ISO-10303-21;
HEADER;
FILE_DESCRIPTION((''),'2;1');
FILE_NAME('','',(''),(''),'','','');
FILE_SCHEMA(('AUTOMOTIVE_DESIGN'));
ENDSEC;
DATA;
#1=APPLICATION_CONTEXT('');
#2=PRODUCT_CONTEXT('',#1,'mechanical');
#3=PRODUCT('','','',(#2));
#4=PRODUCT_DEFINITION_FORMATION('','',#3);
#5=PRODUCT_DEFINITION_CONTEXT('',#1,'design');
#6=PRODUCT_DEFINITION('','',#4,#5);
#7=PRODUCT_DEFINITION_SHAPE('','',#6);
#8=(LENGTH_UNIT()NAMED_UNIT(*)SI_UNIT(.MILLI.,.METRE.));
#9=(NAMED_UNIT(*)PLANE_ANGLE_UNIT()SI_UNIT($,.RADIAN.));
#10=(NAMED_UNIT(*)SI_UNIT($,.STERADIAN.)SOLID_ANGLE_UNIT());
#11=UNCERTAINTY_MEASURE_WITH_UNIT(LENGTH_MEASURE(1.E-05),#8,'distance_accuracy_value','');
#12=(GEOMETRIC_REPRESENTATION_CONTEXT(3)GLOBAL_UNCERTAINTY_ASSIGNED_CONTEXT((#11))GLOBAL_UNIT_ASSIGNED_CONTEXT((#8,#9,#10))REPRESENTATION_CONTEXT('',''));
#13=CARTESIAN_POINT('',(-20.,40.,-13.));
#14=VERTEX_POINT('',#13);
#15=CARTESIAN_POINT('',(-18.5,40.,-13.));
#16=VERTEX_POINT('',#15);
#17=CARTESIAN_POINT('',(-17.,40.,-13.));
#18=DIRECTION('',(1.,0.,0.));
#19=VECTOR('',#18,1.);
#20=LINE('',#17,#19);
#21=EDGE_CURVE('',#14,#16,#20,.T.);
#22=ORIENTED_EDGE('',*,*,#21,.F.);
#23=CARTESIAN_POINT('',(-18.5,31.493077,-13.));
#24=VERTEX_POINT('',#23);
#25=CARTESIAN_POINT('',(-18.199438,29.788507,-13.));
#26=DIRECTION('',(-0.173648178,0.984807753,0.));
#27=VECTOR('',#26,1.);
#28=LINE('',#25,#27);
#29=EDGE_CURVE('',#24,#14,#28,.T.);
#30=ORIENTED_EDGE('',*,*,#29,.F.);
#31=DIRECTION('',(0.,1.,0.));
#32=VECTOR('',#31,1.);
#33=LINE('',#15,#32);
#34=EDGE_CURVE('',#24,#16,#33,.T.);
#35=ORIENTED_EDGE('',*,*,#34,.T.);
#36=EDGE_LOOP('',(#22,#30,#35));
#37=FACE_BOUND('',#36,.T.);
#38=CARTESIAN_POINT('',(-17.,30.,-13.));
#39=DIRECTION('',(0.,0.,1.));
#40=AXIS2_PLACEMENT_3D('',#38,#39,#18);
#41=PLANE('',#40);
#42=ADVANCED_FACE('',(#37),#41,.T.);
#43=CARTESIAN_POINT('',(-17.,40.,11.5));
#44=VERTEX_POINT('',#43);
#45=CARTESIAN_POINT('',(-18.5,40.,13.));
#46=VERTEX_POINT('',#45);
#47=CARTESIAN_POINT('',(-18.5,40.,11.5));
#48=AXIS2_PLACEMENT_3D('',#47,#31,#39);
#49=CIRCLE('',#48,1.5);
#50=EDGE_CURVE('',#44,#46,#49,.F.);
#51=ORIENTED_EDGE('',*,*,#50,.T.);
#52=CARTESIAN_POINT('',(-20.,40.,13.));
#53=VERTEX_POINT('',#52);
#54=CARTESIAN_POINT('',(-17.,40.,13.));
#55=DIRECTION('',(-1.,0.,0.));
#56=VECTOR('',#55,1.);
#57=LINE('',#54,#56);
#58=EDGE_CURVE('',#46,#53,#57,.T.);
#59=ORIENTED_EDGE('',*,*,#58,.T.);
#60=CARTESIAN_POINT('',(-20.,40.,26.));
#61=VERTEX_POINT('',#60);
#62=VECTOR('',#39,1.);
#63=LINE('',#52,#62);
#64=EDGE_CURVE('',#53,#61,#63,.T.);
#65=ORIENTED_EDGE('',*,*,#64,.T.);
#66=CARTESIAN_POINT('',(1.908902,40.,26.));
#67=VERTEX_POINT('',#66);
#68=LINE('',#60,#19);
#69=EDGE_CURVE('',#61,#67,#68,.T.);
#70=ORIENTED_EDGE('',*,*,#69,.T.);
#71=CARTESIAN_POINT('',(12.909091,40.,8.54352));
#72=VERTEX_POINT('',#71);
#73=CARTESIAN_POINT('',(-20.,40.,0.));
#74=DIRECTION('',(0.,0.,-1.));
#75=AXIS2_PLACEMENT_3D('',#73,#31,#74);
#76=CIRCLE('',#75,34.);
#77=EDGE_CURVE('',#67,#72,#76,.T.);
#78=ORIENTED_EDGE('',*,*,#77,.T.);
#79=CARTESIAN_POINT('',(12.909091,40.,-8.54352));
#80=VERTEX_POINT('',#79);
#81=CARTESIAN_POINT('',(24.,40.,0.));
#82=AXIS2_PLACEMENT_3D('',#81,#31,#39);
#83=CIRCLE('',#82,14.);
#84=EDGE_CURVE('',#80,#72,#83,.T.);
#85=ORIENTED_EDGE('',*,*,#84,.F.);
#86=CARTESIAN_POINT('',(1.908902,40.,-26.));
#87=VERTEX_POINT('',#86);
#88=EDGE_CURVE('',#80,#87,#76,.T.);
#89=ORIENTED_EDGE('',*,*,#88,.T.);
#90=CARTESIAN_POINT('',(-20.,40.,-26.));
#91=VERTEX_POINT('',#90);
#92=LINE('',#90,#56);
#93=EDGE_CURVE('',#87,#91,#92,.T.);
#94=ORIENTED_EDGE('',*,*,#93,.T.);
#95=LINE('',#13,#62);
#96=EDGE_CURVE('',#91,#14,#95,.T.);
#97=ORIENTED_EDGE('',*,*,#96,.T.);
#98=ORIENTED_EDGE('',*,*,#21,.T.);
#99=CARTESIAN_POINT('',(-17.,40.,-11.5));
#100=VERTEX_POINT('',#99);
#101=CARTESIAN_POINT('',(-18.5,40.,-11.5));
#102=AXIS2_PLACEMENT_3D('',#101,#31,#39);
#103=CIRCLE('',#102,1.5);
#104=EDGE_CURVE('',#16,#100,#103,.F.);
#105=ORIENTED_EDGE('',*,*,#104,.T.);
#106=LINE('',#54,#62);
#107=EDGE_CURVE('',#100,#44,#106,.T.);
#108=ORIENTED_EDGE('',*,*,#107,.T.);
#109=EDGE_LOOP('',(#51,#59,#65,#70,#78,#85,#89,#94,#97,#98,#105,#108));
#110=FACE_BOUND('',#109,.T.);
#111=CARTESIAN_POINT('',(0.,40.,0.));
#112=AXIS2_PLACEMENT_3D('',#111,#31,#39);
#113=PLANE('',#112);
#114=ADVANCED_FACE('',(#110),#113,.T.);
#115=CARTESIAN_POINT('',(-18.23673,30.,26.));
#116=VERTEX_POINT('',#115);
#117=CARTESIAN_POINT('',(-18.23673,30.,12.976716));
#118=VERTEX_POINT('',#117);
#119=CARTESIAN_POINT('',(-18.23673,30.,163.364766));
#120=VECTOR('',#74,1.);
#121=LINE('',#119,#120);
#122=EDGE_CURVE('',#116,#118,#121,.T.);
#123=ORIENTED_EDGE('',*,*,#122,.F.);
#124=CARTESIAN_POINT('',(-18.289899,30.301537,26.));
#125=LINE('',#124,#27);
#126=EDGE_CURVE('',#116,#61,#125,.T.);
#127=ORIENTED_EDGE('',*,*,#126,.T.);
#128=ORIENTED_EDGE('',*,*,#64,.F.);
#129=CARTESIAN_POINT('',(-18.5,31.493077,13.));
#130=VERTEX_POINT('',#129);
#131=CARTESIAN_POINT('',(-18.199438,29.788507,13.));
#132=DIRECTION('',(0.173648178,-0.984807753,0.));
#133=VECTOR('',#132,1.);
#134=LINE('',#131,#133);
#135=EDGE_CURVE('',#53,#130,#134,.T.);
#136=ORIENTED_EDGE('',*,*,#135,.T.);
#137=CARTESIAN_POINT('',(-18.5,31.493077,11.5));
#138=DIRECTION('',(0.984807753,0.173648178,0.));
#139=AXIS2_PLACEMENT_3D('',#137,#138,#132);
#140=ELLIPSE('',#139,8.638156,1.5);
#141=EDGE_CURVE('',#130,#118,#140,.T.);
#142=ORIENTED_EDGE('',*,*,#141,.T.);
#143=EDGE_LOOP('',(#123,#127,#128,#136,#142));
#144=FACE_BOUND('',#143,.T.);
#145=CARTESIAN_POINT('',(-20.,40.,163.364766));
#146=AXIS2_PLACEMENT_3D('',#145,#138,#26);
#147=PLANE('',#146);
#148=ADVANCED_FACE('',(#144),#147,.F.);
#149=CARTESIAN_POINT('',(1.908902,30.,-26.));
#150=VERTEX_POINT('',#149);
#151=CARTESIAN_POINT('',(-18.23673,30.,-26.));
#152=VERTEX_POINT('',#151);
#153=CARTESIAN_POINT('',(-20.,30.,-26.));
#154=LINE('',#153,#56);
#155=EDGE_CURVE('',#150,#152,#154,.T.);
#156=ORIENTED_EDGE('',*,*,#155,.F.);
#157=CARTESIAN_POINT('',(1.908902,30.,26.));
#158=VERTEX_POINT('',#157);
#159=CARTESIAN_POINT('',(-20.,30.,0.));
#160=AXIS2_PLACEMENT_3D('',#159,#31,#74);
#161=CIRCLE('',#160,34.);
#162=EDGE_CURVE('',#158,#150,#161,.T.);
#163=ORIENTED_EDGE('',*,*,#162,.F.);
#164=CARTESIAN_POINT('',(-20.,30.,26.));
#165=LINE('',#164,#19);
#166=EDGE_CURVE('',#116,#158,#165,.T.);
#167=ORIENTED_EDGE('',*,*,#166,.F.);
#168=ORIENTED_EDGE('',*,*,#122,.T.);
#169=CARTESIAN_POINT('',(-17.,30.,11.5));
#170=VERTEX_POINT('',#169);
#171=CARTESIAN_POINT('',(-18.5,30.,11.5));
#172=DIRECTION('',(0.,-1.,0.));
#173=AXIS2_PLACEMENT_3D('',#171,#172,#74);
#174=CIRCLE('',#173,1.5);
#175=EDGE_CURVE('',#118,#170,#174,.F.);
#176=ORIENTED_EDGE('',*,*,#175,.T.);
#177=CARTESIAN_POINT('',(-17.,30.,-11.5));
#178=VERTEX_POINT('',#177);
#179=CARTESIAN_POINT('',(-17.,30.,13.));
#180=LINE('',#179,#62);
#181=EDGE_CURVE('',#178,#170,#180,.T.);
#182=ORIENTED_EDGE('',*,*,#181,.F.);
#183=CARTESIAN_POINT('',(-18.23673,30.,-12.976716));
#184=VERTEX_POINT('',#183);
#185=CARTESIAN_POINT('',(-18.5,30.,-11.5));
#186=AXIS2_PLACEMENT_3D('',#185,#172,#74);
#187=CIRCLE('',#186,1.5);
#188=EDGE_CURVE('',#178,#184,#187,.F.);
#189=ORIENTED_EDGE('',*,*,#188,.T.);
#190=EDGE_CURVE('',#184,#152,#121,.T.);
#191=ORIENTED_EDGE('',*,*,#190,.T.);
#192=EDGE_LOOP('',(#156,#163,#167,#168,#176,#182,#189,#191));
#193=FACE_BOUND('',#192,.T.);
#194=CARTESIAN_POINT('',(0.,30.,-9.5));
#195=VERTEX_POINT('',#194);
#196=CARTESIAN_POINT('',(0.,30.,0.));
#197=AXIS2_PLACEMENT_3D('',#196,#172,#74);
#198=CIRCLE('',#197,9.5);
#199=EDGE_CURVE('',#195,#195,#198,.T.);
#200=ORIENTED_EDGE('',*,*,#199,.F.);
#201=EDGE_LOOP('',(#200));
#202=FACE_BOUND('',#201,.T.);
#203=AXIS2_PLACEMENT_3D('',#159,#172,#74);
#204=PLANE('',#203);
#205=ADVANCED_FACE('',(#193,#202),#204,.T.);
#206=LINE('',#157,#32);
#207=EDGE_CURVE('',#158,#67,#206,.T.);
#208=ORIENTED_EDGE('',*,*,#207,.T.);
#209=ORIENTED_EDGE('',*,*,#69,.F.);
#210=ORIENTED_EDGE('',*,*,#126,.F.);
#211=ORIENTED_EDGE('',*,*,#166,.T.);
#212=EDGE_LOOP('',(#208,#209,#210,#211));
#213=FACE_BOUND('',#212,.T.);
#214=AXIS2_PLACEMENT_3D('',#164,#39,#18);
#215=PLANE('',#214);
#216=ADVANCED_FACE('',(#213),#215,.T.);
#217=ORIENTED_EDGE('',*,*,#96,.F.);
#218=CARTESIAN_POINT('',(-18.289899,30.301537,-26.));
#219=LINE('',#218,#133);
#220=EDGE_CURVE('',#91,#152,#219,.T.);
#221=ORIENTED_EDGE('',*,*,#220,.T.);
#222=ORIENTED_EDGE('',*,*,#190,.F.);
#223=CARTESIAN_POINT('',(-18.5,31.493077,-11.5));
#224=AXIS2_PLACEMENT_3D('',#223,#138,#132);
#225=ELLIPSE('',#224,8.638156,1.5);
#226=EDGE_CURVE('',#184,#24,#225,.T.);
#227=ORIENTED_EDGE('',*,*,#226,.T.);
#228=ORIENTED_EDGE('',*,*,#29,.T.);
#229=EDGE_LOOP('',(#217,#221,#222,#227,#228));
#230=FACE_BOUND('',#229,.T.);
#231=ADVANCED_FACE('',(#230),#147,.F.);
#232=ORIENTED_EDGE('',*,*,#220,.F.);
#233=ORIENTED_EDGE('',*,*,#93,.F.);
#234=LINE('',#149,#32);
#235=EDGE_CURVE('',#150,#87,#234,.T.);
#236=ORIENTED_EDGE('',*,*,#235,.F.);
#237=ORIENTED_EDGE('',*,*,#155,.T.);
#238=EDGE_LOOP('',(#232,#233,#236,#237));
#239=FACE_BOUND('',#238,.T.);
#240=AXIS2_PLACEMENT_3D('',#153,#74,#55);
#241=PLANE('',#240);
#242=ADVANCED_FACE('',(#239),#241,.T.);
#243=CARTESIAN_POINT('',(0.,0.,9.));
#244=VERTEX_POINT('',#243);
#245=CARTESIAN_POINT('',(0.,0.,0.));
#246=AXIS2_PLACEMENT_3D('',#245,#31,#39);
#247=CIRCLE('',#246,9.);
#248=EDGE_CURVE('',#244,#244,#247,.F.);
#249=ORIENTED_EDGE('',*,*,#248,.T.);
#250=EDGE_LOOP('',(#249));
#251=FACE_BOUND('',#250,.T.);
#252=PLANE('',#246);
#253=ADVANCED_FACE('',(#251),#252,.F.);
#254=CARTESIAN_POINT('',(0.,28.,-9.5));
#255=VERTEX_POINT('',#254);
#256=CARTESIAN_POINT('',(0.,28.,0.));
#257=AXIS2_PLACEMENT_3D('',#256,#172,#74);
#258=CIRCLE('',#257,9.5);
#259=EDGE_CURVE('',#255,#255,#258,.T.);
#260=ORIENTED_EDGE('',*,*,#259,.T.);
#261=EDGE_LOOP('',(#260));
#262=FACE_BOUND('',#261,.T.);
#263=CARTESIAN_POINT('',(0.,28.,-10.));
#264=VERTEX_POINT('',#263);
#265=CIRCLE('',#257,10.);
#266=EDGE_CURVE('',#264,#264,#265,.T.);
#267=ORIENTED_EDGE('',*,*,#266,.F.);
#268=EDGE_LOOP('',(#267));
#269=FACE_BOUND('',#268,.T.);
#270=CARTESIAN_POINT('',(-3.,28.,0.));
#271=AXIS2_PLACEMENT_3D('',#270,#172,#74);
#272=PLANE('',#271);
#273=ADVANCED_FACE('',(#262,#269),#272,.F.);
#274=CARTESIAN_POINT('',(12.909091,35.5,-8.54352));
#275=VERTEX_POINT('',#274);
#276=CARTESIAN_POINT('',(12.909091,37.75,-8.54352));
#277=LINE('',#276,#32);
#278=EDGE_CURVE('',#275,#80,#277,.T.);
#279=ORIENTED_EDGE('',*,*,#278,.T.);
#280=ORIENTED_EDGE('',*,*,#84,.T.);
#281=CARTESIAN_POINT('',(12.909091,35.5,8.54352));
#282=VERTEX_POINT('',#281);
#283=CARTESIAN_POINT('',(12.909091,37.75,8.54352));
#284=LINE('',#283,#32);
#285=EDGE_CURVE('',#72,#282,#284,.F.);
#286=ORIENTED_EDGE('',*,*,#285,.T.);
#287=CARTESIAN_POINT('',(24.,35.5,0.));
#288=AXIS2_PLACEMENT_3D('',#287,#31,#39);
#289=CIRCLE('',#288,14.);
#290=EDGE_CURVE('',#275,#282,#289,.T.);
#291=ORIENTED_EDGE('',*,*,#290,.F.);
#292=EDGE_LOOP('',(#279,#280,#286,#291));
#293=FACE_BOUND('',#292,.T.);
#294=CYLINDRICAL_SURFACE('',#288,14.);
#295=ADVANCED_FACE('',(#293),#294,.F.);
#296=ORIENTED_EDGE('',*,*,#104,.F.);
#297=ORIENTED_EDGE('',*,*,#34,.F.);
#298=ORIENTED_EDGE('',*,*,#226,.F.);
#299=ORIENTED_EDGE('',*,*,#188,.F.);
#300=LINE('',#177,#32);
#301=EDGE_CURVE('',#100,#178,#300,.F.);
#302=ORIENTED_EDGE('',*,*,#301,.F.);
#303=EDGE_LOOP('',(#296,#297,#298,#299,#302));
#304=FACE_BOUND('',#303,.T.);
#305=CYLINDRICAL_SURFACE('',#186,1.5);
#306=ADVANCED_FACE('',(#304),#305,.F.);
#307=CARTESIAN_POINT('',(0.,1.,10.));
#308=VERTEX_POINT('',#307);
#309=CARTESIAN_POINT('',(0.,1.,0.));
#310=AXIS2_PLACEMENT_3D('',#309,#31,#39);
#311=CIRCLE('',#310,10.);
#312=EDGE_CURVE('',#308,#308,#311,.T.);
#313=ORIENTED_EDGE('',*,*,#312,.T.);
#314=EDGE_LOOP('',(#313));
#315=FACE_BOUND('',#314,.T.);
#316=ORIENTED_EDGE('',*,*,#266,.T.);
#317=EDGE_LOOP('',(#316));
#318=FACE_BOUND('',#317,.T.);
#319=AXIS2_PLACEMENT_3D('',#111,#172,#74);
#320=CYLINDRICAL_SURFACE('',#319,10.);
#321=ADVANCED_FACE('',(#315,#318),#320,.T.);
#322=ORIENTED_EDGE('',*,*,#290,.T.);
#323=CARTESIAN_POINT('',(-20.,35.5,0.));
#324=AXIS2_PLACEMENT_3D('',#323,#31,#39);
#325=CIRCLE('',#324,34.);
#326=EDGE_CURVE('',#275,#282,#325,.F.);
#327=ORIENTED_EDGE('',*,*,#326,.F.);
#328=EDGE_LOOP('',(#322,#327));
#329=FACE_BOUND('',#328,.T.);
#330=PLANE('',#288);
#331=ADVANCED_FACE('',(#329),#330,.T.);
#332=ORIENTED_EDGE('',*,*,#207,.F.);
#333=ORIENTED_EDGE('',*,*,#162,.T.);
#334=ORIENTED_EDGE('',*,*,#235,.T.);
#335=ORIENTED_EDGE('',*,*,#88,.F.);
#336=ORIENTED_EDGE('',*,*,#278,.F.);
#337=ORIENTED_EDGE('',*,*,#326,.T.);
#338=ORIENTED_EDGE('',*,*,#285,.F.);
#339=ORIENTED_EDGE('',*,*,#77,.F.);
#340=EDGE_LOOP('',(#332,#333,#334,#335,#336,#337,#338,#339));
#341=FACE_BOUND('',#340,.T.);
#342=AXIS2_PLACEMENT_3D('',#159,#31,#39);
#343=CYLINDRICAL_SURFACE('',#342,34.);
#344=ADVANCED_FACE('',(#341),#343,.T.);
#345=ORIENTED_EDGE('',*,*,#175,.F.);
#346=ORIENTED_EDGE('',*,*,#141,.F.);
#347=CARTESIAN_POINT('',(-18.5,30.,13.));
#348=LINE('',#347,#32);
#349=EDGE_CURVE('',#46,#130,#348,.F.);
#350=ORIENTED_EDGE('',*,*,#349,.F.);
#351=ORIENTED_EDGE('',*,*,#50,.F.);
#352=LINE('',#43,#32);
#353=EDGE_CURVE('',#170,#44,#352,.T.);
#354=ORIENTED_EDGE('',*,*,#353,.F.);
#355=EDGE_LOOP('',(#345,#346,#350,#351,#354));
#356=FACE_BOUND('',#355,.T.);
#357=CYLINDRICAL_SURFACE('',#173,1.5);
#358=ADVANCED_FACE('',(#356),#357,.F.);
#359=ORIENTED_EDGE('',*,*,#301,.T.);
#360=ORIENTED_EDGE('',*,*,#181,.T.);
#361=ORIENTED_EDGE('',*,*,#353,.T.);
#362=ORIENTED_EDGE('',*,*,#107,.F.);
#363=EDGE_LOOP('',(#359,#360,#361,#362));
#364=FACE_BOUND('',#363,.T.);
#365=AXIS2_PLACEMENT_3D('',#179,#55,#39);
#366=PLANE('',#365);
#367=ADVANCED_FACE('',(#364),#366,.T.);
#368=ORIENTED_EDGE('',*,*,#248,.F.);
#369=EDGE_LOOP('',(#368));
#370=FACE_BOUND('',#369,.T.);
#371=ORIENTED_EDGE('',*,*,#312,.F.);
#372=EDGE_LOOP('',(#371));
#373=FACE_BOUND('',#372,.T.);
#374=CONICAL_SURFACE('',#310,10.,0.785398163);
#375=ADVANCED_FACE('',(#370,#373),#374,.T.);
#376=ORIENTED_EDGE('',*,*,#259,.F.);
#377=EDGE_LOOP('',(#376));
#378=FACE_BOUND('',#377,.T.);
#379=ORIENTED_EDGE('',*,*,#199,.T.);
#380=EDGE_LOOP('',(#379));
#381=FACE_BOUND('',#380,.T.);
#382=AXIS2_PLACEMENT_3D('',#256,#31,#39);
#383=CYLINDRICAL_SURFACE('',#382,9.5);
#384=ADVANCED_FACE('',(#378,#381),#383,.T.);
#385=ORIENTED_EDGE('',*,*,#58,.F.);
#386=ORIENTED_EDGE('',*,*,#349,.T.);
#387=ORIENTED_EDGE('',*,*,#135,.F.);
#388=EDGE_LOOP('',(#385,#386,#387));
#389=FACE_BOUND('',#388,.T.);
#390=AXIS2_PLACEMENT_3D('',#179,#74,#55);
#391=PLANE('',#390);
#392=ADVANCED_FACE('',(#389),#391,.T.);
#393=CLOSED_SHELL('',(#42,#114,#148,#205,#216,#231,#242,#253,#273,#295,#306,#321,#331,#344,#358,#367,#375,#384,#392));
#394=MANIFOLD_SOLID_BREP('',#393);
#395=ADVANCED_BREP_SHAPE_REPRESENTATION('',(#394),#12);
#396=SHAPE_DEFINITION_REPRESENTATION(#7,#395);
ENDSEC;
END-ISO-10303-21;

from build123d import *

# Parameters (mm, degrees)
SKETCH_1_R               = 10
EXTRUDE_1_DEPTH          = 40
CHAMFER_1_SIZE           = 1
EXTRUDE_2_DEPTH          = 10
SKETCH_3_R               = 14
CUT_EXTRUDE_1_DEPTH      = 4.5
CUT_EXTRUDE_2_DEPTH      = 69.585712798
CUT_EXTRUDE_2_DEPTH_BACK = 69.585712798
SKETCH_5_OUTSIDE_W       = 50.778
SKETCH_5_OUTSIDE_H       = 68.778
SKETCH_5_OUTSIDE_R       = 9.5
CUT_EXTRUDE_3_DEPTH      = 2
FILLET_1_R               = 1.5


with BuildPart() as part:
    # 草图1 → 凸台-拉伸1 (new body)
    with BuildSketch(Plane(origin=(0, 0, 0), x_dir=(1, 0, 0), z_dir=(0, 1, 0))):
        with Locations(Location((0, 0, 0), (0, 0, 270))):
            Circle(SKETCH_1_R)
    extrude(amount=EXTRUDE_1_DEPTH)

    # 倒角1
    chamfer_1_edges = [part.edges().sort_by_distance(p)[0] for p in [
        (0, 0, -10),
    ]]
    chamfer(chamfer_1_edges, length=CHAMFER_1_SIZE)

    # 草图2 → 凸台-拉伸2 (add)
    with BuildSketch(Plane(origin=(0, 40, 0), x_dir=(1, 0, 0), z_dir=(0, 1, 0))):
        with BuildLine():
            Line((-17, -13), (-17, 13))
            Line((-17, 13), (-20, 13))
            Line((-20, 13), (-20, 26))
            Line((-20, 26), (1.9089023, 26))
            ThreePointArc((1.9089023, 26), (14, 0), (1.9089023, -26))
            Line((1.9089023, -26), (-20, -26))
            Line((-20, -26), (-20, -13))
            Line((-20, -13), (-17, -13))
        make_face()
    extrude(amount=-EXTRUDE_2_DEPTH)

    # 草图3 → 切除-拉伸1 (cut)
    with BuildSketch(Plane(origin=(0, 40, 0), x_dir=(1, 0, 0), z_dir=(0, 1, 0))):
        with Locations((24, 0)):
            Circle(SKETCH_3_R)
    extrude(amount=-CUT_EXTRUDE_1_DEPTH, mode=Mode.SUBTRACT)

    # 草图4 → 切除-拉伸2 (cut, two sides: drawn at the far end of the back side and taken through both)
    with BuildSketch(Plane.XY.offset(26).offset(-CUT_EXTRUDE_2_DEPTH_BACK)):
        Polygon((-39.968713517, 153.248201929), (-20, 40), (-18.236730193, 30), (1.731983324, -83.248201929), (-224.764420535, -123.185628963), (-266.465117376, 113.310774896), align=None)
    extrude(amount=CUT_EXTRUDE_2_DEPTH + CUT_EXTRUDE_2_DEPTH_BACK, mode=Mode.SUBTRACT)

    # 草图5 outside → 切除-拉伸3 (cut)
    with BuildSketch(Plane.XZ.offset(-30)):
        with Locations((-3, 0)):
            Rectangle(SKETCH_5_OUTSIDE_W, SKETCH_5_OUTSIDE_H)
        with Locations(Location((0, 0, 0), (0, 0, 270))):
            Circle(SKETCH_5_OUTSIDE_R, mode=Mode.SUBTRACT)
    extrude(amount=CUT_EXTRUDE_3_DEPTH, mode=Mode.SUBTRACT)

    # 圆角1
    fillet_1_edges = [part.edges().sort_by_distance(p)[0] for p in [
        (-17, 35, 13),
        (-17, 35, -13),
    ]]
    fillet(fillet_1_edges, radius=FILLET_1_R)


solid = part.part
